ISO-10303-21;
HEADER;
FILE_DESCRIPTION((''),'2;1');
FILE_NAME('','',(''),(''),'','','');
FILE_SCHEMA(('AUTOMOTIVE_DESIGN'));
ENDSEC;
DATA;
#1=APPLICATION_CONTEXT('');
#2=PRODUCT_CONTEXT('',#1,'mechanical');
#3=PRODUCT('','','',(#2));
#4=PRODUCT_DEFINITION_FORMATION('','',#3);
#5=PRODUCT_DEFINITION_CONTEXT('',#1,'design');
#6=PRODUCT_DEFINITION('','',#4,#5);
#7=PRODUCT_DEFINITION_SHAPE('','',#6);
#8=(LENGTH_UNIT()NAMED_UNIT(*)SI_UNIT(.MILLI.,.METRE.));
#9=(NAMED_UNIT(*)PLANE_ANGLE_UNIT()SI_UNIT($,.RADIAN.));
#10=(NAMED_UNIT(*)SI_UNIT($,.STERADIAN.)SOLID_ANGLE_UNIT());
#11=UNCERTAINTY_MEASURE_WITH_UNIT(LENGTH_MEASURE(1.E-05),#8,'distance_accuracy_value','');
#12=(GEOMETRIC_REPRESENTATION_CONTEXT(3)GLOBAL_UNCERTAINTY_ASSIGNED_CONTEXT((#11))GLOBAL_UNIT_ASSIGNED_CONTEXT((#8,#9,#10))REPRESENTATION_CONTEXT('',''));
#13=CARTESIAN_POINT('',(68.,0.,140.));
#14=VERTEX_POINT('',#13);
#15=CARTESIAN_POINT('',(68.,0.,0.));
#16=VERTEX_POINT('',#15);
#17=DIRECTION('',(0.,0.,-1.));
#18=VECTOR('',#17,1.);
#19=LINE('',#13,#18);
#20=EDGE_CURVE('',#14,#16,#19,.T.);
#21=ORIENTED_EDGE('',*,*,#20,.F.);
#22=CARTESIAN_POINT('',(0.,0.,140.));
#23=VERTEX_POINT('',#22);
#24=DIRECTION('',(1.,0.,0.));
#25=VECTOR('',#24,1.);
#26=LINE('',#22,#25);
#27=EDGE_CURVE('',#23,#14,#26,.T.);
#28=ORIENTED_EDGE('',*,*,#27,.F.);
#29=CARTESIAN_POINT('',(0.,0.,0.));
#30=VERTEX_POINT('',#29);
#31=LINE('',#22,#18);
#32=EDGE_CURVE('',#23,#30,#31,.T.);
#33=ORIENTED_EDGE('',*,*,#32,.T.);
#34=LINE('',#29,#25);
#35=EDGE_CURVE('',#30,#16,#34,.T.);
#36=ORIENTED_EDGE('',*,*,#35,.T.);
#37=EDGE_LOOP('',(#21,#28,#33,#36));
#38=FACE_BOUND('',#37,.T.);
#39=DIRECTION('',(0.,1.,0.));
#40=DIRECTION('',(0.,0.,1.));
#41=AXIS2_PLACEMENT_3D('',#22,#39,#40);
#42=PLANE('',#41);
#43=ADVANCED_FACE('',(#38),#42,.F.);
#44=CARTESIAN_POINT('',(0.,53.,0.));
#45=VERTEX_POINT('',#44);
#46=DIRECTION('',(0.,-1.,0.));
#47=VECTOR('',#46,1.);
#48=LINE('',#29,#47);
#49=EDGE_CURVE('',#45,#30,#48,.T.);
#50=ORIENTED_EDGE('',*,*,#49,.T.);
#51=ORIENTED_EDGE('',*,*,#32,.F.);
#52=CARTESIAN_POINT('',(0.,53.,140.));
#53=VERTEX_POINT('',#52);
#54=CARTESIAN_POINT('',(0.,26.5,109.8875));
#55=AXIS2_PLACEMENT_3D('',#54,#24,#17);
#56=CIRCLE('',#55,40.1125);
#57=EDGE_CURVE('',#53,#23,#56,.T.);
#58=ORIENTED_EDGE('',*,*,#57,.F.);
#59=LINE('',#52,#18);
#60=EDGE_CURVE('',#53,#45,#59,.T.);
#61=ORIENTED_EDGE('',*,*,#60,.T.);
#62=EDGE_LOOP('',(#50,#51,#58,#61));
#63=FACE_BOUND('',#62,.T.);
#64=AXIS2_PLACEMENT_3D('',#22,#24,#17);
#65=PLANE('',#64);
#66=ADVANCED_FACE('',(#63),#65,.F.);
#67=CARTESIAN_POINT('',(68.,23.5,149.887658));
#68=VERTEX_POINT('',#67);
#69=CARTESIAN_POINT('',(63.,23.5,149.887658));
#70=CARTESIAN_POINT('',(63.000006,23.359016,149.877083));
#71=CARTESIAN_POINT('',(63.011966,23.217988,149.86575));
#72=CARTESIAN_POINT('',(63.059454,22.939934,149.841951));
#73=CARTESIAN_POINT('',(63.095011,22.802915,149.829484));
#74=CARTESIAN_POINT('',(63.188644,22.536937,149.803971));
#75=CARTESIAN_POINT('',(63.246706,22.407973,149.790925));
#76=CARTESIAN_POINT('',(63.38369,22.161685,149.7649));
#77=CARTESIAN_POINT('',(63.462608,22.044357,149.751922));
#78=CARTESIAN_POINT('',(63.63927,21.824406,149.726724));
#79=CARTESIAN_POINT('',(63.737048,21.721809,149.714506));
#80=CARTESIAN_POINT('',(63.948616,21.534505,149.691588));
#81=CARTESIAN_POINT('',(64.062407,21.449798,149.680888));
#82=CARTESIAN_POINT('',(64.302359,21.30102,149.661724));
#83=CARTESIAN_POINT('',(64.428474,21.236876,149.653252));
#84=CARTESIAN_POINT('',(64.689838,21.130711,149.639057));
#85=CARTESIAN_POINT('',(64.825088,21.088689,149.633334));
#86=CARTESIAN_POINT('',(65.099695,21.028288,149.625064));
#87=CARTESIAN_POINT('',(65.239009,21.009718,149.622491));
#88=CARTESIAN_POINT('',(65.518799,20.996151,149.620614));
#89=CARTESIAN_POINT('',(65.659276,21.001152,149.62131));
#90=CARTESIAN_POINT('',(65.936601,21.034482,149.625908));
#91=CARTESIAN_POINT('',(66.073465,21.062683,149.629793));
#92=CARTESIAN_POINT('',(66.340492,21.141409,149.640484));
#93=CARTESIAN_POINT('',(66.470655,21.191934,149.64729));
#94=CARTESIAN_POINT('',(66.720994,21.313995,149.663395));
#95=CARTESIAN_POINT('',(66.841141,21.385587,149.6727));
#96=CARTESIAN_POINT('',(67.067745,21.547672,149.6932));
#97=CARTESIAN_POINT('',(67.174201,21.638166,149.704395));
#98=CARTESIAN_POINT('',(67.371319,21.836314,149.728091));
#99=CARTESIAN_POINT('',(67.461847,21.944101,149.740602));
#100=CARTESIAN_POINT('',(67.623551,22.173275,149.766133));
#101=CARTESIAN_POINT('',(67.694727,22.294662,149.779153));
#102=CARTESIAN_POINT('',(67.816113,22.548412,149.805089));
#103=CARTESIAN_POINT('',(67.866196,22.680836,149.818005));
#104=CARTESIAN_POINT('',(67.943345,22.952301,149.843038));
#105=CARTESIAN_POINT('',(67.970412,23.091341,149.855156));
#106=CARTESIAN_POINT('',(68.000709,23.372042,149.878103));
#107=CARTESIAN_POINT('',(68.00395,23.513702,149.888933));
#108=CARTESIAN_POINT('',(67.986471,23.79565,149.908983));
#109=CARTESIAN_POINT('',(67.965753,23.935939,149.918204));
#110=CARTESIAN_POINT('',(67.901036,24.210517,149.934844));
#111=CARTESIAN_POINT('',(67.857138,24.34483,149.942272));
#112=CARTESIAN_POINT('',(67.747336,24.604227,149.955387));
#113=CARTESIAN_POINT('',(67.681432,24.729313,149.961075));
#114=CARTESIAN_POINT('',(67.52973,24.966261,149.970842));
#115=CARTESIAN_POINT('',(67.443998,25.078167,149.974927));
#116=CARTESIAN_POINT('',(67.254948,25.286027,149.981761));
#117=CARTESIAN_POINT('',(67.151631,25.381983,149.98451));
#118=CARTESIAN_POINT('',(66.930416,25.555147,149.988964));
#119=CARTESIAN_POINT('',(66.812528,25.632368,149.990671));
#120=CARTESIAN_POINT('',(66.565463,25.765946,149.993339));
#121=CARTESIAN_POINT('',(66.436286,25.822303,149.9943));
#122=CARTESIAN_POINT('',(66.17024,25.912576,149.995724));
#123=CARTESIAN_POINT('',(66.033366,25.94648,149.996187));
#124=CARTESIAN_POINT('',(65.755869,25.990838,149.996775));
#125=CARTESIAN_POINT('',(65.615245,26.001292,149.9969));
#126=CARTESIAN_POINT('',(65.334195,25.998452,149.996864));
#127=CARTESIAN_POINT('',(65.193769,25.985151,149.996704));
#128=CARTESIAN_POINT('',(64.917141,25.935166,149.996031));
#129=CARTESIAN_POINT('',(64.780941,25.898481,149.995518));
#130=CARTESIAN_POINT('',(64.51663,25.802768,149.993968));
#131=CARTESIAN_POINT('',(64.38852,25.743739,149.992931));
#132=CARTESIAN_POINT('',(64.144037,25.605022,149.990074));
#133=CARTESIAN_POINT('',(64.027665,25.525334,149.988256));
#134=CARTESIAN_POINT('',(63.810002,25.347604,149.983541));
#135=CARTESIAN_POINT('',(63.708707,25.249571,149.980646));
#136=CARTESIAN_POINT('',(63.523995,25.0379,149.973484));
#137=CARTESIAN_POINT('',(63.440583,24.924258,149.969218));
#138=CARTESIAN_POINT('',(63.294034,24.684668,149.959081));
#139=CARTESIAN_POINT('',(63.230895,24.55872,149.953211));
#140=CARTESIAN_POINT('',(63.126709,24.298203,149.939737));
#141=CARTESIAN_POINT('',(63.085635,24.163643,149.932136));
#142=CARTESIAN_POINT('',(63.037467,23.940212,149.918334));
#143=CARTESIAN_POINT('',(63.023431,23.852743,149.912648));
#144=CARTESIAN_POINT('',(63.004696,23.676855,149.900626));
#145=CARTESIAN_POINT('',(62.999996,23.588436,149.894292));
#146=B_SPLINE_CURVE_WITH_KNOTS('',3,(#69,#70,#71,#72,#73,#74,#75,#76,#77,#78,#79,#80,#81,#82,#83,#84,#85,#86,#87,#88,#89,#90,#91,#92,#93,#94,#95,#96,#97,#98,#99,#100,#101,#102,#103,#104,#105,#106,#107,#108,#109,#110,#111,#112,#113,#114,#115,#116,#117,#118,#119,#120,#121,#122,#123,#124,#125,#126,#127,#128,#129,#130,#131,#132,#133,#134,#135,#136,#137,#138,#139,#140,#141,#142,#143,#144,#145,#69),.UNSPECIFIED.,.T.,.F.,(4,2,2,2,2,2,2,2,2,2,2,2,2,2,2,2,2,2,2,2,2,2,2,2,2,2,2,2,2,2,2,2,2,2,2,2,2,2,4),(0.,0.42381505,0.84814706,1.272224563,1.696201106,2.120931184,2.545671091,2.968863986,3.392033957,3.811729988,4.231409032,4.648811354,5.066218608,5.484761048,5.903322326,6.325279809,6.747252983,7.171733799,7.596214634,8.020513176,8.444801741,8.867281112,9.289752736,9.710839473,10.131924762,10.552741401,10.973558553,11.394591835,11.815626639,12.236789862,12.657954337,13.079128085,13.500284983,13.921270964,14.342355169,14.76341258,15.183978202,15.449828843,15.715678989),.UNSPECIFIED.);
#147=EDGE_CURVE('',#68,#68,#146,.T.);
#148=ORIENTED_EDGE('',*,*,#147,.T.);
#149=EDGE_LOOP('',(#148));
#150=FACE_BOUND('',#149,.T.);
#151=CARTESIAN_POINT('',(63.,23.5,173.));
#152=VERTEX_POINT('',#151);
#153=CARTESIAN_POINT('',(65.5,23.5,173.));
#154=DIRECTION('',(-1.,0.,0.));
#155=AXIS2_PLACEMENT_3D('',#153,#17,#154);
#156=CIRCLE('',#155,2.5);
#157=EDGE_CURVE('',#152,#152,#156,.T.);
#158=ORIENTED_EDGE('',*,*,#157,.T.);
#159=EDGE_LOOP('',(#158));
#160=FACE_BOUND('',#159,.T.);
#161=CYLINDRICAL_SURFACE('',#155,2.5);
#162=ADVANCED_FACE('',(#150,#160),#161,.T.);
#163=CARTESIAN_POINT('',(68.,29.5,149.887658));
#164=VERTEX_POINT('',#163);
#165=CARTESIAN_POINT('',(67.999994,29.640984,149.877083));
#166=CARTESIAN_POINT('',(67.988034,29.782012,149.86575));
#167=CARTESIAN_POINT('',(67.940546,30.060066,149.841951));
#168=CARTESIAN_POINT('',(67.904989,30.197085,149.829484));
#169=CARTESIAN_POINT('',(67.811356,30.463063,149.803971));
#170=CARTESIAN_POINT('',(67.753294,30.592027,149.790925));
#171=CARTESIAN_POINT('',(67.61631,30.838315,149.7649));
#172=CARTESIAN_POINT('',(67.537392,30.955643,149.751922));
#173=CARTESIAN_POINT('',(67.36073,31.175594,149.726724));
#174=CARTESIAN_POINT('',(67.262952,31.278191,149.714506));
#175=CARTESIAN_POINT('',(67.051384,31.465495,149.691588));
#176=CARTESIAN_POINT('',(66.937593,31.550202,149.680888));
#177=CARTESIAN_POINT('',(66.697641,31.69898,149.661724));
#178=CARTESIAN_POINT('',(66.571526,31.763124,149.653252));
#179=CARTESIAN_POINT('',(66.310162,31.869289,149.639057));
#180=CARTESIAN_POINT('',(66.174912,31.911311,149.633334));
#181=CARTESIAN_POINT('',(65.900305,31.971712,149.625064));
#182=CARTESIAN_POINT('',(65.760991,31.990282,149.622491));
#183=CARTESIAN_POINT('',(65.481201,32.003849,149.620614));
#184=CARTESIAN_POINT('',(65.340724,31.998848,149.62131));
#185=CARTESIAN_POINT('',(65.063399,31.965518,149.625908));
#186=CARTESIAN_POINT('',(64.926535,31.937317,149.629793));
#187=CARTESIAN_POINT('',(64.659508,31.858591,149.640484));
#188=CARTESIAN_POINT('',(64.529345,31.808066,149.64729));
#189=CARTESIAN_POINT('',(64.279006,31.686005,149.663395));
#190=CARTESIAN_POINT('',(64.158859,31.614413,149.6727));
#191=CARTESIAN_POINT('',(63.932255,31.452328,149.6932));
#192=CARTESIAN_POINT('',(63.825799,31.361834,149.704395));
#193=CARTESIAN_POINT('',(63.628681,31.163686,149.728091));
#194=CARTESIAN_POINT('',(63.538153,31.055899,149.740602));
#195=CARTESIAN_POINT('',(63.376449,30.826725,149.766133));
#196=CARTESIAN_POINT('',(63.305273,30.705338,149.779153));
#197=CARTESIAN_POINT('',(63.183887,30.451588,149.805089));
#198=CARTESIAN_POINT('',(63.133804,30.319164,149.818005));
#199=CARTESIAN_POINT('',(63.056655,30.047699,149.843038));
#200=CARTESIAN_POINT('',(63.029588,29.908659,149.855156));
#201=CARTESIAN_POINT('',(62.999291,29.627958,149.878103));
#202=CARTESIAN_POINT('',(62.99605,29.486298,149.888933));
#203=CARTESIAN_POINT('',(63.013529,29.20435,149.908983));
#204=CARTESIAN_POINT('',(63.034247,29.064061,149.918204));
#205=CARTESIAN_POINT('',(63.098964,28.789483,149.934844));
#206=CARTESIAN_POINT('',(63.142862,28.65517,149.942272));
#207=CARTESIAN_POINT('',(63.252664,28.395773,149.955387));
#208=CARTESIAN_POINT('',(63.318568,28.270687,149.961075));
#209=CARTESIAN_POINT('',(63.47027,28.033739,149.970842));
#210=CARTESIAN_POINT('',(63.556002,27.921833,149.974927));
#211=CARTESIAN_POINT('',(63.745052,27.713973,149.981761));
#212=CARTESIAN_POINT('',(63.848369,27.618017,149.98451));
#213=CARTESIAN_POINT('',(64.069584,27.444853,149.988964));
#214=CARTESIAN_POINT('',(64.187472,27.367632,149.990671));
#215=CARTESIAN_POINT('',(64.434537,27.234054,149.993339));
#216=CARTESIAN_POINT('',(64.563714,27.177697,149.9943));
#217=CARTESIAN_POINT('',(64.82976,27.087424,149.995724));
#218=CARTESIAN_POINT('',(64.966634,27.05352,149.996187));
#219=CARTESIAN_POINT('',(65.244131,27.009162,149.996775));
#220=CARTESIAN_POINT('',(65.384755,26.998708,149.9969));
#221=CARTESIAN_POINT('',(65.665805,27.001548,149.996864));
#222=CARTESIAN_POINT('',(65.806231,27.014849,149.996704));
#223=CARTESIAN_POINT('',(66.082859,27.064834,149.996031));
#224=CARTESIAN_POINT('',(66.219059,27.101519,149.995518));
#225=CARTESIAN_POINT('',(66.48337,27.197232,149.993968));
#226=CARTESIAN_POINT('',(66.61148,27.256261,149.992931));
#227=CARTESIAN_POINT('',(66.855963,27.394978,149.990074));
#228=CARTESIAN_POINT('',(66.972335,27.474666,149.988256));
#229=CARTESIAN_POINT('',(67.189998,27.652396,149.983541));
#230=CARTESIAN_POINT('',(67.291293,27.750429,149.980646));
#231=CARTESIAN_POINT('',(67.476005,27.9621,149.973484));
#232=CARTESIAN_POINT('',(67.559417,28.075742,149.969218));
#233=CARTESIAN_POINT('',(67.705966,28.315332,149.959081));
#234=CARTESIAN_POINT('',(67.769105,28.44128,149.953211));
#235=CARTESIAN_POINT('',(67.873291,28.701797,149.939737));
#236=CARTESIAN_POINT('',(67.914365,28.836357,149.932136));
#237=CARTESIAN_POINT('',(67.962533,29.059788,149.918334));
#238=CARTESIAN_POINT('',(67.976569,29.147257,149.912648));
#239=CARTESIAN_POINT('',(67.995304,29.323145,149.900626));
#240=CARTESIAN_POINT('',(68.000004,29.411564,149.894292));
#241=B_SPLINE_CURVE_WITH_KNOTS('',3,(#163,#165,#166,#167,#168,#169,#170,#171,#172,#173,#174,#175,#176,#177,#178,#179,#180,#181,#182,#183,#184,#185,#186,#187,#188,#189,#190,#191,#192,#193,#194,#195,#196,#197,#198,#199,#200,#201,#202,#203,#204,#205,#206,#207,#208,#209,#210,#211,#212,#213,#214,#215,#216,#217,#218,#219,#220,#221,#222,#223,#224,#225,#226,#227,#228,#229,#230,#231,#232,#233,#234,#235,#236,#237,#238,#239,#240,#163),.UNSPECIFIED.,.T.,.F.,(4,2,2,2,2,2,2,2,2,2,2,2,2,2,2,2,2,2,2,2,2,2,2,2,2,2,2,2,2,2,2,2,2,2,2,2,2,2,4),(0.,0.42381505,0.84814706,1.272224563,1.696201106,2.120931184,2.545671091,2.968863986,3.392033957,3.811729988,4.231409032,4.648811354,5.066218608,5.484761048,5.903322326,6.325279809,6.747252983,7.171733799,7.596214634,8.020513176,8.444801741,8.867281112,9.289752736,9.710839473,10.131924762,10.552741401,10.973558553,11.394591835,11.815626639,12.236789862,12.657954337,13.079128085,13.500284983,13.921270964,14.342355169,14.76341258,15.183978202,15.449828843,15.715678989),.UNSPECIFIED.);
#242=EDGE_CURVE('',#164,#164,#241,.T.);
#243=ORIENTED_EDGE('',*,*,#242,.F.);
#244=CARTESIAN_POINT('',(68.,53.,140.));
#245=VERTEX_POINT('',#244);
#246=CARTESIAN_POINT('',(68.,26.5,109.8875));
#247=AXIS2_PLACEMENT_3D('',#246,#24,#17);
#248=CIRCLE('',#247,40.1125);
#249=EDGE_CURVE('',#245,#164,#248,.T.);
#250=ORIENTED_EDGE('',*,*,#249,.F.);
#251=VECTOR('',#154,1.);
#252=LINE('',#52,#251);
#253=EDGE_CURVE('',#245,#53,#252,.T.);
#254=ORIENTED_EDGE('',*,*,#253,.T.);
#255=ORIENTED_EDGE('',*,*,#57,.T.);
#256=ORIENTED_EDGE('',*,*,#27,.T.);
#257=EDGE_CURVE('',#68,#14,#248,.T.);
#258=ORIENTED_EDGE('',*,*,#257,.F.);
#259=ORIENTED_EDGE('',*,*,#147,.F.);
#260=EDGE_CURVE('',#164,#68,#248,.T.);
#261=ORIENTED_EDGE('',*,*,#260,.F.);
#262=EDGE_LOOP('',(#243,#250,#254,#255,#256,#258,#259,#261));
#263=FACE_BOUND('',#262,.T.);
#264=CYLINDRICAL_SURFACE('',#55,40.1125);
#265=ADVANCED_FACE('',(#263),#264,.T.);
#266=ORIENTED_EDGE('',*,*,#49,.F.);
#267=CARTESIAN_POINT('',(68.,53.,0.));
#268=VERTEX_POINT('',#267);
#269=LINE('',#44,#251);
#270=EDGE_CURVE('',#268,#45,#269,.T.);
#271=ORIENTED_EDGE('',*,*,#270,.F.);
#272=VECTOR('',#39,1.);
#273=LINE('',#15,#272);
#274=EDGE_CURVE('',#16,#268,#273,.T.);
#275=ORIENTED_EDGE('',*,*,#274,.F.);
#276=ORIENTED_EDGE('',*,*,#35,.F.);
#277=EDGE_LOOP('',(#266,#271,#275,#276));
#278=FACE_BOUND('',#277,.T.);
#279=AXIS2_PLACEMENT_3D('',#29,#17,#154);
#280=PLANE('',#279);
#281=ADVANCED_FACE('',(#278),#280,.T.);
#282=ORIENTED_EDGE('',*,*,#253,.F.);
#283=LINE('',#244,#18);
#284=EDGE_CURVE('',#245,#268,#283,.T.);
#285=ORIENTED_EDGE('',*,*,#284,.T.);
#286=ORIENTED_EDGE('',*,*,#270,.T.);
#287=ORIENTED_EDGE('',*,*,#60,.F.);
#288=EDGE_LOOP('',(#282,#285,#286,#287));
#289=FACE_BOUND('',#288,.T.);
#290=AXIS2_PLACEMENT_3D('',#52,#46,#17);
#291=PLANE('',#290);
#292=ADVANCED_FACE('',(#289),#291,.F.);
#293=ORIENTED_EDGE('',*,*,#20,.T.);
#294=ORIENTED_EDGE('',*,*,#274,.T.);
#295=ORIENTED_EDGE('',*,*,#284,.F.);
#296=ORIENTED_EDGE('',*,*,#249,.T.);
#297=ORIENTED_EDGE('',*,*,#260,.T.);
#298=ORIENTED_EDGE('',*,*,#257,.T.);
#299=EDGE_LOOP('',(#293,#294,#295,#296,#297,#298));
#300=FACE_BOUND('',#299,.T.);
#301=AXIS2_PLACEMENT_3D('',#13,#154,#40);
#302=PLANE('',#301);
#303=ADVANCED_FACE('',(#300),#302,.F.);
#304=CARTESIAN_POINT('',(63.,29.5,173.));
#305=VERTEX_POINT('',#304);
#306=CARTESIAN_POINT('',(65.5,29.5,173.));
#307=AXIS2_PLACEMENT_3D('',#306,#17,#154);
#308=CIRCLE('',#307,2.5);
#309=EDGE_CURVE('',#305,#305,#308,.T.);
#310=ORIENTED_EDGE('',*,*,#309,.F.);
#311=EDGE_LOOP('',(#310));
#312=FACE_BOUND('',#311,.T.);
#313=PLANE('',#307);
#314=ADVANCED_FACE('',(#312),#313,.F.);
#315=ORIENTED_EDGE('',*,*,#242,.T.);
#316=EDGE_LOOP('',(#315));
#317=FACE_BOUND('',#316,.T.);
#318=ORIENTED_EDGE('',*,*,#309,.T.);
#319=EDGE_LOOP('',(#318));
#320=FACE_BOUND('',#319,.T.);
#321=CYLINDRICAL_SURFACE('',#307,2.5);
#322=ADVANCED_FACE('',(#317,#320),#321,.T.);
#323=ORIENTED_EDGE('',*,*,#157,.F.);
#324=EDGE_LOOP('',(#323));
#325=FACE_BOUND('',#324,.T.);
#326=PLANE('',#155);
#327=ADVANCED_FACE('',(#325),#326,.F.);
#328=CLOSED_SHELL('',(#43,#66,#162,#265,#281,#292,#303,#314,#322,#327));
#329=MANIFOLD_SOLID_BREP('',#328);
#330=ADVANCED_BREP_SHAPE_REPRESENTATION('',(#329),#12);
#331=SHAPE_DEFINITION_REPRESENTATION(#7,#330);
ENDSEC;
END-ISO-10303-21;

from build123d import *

# Parameters (mm, degrees)
ESQUISSE1_W        = 68
ESQUISSE1_H        = 53
BOSS_EXTRU_1_DEPTH = 140
BOSS_EXTRU_2_DEPTH = 68
ESQUISSE3_R        = 2.5
BOSS_EXTRU_3_DEPTH = 173


with BuildPart() as part:
    # Esquisse1 → Boss.-Extru.1 (new body)
    with BuildSketch(Plane.XY):
        with Locations((34, 26.5)):
            Rectangle(ESQUISSE1_W, ESQUISSE1_H)
    extrude(amount=BOSS_EXTRU_1_DEPTH)

    # Esquisse2 → Boss.-Extru.2 (add)
    with BuildSketch(Plane(origin=(68, 0, 0), x_dir=(0, 0, -1), z_dir=(1, 0, 0))):
        with BuildLine():
            Line((-140, 53), (-140, 0))
            ThreePointArc((-140, 0), (-150, 26.5), (-140, 53))
        make_face()
    extrude(amount=-BOSS_EXTRU_2_DEPTH)

    # Esquisse3 → Boss.-Extru.3 (add)
    with BuildSketch(Plane(origin=(0, 0, 0), x_dir=(-1, 0, 0), z_dir=(0, 0, -1))):
        with Locations((-65.5, 29.5)):
            Circle(ESQUISSE3_R)
        with Locations((-65.5, 23.5)):
            Circle(ESQUISSE3_R)
    extrude(amount=-BOSS_EXTRU_3_DEPTH)


solid = part.part
